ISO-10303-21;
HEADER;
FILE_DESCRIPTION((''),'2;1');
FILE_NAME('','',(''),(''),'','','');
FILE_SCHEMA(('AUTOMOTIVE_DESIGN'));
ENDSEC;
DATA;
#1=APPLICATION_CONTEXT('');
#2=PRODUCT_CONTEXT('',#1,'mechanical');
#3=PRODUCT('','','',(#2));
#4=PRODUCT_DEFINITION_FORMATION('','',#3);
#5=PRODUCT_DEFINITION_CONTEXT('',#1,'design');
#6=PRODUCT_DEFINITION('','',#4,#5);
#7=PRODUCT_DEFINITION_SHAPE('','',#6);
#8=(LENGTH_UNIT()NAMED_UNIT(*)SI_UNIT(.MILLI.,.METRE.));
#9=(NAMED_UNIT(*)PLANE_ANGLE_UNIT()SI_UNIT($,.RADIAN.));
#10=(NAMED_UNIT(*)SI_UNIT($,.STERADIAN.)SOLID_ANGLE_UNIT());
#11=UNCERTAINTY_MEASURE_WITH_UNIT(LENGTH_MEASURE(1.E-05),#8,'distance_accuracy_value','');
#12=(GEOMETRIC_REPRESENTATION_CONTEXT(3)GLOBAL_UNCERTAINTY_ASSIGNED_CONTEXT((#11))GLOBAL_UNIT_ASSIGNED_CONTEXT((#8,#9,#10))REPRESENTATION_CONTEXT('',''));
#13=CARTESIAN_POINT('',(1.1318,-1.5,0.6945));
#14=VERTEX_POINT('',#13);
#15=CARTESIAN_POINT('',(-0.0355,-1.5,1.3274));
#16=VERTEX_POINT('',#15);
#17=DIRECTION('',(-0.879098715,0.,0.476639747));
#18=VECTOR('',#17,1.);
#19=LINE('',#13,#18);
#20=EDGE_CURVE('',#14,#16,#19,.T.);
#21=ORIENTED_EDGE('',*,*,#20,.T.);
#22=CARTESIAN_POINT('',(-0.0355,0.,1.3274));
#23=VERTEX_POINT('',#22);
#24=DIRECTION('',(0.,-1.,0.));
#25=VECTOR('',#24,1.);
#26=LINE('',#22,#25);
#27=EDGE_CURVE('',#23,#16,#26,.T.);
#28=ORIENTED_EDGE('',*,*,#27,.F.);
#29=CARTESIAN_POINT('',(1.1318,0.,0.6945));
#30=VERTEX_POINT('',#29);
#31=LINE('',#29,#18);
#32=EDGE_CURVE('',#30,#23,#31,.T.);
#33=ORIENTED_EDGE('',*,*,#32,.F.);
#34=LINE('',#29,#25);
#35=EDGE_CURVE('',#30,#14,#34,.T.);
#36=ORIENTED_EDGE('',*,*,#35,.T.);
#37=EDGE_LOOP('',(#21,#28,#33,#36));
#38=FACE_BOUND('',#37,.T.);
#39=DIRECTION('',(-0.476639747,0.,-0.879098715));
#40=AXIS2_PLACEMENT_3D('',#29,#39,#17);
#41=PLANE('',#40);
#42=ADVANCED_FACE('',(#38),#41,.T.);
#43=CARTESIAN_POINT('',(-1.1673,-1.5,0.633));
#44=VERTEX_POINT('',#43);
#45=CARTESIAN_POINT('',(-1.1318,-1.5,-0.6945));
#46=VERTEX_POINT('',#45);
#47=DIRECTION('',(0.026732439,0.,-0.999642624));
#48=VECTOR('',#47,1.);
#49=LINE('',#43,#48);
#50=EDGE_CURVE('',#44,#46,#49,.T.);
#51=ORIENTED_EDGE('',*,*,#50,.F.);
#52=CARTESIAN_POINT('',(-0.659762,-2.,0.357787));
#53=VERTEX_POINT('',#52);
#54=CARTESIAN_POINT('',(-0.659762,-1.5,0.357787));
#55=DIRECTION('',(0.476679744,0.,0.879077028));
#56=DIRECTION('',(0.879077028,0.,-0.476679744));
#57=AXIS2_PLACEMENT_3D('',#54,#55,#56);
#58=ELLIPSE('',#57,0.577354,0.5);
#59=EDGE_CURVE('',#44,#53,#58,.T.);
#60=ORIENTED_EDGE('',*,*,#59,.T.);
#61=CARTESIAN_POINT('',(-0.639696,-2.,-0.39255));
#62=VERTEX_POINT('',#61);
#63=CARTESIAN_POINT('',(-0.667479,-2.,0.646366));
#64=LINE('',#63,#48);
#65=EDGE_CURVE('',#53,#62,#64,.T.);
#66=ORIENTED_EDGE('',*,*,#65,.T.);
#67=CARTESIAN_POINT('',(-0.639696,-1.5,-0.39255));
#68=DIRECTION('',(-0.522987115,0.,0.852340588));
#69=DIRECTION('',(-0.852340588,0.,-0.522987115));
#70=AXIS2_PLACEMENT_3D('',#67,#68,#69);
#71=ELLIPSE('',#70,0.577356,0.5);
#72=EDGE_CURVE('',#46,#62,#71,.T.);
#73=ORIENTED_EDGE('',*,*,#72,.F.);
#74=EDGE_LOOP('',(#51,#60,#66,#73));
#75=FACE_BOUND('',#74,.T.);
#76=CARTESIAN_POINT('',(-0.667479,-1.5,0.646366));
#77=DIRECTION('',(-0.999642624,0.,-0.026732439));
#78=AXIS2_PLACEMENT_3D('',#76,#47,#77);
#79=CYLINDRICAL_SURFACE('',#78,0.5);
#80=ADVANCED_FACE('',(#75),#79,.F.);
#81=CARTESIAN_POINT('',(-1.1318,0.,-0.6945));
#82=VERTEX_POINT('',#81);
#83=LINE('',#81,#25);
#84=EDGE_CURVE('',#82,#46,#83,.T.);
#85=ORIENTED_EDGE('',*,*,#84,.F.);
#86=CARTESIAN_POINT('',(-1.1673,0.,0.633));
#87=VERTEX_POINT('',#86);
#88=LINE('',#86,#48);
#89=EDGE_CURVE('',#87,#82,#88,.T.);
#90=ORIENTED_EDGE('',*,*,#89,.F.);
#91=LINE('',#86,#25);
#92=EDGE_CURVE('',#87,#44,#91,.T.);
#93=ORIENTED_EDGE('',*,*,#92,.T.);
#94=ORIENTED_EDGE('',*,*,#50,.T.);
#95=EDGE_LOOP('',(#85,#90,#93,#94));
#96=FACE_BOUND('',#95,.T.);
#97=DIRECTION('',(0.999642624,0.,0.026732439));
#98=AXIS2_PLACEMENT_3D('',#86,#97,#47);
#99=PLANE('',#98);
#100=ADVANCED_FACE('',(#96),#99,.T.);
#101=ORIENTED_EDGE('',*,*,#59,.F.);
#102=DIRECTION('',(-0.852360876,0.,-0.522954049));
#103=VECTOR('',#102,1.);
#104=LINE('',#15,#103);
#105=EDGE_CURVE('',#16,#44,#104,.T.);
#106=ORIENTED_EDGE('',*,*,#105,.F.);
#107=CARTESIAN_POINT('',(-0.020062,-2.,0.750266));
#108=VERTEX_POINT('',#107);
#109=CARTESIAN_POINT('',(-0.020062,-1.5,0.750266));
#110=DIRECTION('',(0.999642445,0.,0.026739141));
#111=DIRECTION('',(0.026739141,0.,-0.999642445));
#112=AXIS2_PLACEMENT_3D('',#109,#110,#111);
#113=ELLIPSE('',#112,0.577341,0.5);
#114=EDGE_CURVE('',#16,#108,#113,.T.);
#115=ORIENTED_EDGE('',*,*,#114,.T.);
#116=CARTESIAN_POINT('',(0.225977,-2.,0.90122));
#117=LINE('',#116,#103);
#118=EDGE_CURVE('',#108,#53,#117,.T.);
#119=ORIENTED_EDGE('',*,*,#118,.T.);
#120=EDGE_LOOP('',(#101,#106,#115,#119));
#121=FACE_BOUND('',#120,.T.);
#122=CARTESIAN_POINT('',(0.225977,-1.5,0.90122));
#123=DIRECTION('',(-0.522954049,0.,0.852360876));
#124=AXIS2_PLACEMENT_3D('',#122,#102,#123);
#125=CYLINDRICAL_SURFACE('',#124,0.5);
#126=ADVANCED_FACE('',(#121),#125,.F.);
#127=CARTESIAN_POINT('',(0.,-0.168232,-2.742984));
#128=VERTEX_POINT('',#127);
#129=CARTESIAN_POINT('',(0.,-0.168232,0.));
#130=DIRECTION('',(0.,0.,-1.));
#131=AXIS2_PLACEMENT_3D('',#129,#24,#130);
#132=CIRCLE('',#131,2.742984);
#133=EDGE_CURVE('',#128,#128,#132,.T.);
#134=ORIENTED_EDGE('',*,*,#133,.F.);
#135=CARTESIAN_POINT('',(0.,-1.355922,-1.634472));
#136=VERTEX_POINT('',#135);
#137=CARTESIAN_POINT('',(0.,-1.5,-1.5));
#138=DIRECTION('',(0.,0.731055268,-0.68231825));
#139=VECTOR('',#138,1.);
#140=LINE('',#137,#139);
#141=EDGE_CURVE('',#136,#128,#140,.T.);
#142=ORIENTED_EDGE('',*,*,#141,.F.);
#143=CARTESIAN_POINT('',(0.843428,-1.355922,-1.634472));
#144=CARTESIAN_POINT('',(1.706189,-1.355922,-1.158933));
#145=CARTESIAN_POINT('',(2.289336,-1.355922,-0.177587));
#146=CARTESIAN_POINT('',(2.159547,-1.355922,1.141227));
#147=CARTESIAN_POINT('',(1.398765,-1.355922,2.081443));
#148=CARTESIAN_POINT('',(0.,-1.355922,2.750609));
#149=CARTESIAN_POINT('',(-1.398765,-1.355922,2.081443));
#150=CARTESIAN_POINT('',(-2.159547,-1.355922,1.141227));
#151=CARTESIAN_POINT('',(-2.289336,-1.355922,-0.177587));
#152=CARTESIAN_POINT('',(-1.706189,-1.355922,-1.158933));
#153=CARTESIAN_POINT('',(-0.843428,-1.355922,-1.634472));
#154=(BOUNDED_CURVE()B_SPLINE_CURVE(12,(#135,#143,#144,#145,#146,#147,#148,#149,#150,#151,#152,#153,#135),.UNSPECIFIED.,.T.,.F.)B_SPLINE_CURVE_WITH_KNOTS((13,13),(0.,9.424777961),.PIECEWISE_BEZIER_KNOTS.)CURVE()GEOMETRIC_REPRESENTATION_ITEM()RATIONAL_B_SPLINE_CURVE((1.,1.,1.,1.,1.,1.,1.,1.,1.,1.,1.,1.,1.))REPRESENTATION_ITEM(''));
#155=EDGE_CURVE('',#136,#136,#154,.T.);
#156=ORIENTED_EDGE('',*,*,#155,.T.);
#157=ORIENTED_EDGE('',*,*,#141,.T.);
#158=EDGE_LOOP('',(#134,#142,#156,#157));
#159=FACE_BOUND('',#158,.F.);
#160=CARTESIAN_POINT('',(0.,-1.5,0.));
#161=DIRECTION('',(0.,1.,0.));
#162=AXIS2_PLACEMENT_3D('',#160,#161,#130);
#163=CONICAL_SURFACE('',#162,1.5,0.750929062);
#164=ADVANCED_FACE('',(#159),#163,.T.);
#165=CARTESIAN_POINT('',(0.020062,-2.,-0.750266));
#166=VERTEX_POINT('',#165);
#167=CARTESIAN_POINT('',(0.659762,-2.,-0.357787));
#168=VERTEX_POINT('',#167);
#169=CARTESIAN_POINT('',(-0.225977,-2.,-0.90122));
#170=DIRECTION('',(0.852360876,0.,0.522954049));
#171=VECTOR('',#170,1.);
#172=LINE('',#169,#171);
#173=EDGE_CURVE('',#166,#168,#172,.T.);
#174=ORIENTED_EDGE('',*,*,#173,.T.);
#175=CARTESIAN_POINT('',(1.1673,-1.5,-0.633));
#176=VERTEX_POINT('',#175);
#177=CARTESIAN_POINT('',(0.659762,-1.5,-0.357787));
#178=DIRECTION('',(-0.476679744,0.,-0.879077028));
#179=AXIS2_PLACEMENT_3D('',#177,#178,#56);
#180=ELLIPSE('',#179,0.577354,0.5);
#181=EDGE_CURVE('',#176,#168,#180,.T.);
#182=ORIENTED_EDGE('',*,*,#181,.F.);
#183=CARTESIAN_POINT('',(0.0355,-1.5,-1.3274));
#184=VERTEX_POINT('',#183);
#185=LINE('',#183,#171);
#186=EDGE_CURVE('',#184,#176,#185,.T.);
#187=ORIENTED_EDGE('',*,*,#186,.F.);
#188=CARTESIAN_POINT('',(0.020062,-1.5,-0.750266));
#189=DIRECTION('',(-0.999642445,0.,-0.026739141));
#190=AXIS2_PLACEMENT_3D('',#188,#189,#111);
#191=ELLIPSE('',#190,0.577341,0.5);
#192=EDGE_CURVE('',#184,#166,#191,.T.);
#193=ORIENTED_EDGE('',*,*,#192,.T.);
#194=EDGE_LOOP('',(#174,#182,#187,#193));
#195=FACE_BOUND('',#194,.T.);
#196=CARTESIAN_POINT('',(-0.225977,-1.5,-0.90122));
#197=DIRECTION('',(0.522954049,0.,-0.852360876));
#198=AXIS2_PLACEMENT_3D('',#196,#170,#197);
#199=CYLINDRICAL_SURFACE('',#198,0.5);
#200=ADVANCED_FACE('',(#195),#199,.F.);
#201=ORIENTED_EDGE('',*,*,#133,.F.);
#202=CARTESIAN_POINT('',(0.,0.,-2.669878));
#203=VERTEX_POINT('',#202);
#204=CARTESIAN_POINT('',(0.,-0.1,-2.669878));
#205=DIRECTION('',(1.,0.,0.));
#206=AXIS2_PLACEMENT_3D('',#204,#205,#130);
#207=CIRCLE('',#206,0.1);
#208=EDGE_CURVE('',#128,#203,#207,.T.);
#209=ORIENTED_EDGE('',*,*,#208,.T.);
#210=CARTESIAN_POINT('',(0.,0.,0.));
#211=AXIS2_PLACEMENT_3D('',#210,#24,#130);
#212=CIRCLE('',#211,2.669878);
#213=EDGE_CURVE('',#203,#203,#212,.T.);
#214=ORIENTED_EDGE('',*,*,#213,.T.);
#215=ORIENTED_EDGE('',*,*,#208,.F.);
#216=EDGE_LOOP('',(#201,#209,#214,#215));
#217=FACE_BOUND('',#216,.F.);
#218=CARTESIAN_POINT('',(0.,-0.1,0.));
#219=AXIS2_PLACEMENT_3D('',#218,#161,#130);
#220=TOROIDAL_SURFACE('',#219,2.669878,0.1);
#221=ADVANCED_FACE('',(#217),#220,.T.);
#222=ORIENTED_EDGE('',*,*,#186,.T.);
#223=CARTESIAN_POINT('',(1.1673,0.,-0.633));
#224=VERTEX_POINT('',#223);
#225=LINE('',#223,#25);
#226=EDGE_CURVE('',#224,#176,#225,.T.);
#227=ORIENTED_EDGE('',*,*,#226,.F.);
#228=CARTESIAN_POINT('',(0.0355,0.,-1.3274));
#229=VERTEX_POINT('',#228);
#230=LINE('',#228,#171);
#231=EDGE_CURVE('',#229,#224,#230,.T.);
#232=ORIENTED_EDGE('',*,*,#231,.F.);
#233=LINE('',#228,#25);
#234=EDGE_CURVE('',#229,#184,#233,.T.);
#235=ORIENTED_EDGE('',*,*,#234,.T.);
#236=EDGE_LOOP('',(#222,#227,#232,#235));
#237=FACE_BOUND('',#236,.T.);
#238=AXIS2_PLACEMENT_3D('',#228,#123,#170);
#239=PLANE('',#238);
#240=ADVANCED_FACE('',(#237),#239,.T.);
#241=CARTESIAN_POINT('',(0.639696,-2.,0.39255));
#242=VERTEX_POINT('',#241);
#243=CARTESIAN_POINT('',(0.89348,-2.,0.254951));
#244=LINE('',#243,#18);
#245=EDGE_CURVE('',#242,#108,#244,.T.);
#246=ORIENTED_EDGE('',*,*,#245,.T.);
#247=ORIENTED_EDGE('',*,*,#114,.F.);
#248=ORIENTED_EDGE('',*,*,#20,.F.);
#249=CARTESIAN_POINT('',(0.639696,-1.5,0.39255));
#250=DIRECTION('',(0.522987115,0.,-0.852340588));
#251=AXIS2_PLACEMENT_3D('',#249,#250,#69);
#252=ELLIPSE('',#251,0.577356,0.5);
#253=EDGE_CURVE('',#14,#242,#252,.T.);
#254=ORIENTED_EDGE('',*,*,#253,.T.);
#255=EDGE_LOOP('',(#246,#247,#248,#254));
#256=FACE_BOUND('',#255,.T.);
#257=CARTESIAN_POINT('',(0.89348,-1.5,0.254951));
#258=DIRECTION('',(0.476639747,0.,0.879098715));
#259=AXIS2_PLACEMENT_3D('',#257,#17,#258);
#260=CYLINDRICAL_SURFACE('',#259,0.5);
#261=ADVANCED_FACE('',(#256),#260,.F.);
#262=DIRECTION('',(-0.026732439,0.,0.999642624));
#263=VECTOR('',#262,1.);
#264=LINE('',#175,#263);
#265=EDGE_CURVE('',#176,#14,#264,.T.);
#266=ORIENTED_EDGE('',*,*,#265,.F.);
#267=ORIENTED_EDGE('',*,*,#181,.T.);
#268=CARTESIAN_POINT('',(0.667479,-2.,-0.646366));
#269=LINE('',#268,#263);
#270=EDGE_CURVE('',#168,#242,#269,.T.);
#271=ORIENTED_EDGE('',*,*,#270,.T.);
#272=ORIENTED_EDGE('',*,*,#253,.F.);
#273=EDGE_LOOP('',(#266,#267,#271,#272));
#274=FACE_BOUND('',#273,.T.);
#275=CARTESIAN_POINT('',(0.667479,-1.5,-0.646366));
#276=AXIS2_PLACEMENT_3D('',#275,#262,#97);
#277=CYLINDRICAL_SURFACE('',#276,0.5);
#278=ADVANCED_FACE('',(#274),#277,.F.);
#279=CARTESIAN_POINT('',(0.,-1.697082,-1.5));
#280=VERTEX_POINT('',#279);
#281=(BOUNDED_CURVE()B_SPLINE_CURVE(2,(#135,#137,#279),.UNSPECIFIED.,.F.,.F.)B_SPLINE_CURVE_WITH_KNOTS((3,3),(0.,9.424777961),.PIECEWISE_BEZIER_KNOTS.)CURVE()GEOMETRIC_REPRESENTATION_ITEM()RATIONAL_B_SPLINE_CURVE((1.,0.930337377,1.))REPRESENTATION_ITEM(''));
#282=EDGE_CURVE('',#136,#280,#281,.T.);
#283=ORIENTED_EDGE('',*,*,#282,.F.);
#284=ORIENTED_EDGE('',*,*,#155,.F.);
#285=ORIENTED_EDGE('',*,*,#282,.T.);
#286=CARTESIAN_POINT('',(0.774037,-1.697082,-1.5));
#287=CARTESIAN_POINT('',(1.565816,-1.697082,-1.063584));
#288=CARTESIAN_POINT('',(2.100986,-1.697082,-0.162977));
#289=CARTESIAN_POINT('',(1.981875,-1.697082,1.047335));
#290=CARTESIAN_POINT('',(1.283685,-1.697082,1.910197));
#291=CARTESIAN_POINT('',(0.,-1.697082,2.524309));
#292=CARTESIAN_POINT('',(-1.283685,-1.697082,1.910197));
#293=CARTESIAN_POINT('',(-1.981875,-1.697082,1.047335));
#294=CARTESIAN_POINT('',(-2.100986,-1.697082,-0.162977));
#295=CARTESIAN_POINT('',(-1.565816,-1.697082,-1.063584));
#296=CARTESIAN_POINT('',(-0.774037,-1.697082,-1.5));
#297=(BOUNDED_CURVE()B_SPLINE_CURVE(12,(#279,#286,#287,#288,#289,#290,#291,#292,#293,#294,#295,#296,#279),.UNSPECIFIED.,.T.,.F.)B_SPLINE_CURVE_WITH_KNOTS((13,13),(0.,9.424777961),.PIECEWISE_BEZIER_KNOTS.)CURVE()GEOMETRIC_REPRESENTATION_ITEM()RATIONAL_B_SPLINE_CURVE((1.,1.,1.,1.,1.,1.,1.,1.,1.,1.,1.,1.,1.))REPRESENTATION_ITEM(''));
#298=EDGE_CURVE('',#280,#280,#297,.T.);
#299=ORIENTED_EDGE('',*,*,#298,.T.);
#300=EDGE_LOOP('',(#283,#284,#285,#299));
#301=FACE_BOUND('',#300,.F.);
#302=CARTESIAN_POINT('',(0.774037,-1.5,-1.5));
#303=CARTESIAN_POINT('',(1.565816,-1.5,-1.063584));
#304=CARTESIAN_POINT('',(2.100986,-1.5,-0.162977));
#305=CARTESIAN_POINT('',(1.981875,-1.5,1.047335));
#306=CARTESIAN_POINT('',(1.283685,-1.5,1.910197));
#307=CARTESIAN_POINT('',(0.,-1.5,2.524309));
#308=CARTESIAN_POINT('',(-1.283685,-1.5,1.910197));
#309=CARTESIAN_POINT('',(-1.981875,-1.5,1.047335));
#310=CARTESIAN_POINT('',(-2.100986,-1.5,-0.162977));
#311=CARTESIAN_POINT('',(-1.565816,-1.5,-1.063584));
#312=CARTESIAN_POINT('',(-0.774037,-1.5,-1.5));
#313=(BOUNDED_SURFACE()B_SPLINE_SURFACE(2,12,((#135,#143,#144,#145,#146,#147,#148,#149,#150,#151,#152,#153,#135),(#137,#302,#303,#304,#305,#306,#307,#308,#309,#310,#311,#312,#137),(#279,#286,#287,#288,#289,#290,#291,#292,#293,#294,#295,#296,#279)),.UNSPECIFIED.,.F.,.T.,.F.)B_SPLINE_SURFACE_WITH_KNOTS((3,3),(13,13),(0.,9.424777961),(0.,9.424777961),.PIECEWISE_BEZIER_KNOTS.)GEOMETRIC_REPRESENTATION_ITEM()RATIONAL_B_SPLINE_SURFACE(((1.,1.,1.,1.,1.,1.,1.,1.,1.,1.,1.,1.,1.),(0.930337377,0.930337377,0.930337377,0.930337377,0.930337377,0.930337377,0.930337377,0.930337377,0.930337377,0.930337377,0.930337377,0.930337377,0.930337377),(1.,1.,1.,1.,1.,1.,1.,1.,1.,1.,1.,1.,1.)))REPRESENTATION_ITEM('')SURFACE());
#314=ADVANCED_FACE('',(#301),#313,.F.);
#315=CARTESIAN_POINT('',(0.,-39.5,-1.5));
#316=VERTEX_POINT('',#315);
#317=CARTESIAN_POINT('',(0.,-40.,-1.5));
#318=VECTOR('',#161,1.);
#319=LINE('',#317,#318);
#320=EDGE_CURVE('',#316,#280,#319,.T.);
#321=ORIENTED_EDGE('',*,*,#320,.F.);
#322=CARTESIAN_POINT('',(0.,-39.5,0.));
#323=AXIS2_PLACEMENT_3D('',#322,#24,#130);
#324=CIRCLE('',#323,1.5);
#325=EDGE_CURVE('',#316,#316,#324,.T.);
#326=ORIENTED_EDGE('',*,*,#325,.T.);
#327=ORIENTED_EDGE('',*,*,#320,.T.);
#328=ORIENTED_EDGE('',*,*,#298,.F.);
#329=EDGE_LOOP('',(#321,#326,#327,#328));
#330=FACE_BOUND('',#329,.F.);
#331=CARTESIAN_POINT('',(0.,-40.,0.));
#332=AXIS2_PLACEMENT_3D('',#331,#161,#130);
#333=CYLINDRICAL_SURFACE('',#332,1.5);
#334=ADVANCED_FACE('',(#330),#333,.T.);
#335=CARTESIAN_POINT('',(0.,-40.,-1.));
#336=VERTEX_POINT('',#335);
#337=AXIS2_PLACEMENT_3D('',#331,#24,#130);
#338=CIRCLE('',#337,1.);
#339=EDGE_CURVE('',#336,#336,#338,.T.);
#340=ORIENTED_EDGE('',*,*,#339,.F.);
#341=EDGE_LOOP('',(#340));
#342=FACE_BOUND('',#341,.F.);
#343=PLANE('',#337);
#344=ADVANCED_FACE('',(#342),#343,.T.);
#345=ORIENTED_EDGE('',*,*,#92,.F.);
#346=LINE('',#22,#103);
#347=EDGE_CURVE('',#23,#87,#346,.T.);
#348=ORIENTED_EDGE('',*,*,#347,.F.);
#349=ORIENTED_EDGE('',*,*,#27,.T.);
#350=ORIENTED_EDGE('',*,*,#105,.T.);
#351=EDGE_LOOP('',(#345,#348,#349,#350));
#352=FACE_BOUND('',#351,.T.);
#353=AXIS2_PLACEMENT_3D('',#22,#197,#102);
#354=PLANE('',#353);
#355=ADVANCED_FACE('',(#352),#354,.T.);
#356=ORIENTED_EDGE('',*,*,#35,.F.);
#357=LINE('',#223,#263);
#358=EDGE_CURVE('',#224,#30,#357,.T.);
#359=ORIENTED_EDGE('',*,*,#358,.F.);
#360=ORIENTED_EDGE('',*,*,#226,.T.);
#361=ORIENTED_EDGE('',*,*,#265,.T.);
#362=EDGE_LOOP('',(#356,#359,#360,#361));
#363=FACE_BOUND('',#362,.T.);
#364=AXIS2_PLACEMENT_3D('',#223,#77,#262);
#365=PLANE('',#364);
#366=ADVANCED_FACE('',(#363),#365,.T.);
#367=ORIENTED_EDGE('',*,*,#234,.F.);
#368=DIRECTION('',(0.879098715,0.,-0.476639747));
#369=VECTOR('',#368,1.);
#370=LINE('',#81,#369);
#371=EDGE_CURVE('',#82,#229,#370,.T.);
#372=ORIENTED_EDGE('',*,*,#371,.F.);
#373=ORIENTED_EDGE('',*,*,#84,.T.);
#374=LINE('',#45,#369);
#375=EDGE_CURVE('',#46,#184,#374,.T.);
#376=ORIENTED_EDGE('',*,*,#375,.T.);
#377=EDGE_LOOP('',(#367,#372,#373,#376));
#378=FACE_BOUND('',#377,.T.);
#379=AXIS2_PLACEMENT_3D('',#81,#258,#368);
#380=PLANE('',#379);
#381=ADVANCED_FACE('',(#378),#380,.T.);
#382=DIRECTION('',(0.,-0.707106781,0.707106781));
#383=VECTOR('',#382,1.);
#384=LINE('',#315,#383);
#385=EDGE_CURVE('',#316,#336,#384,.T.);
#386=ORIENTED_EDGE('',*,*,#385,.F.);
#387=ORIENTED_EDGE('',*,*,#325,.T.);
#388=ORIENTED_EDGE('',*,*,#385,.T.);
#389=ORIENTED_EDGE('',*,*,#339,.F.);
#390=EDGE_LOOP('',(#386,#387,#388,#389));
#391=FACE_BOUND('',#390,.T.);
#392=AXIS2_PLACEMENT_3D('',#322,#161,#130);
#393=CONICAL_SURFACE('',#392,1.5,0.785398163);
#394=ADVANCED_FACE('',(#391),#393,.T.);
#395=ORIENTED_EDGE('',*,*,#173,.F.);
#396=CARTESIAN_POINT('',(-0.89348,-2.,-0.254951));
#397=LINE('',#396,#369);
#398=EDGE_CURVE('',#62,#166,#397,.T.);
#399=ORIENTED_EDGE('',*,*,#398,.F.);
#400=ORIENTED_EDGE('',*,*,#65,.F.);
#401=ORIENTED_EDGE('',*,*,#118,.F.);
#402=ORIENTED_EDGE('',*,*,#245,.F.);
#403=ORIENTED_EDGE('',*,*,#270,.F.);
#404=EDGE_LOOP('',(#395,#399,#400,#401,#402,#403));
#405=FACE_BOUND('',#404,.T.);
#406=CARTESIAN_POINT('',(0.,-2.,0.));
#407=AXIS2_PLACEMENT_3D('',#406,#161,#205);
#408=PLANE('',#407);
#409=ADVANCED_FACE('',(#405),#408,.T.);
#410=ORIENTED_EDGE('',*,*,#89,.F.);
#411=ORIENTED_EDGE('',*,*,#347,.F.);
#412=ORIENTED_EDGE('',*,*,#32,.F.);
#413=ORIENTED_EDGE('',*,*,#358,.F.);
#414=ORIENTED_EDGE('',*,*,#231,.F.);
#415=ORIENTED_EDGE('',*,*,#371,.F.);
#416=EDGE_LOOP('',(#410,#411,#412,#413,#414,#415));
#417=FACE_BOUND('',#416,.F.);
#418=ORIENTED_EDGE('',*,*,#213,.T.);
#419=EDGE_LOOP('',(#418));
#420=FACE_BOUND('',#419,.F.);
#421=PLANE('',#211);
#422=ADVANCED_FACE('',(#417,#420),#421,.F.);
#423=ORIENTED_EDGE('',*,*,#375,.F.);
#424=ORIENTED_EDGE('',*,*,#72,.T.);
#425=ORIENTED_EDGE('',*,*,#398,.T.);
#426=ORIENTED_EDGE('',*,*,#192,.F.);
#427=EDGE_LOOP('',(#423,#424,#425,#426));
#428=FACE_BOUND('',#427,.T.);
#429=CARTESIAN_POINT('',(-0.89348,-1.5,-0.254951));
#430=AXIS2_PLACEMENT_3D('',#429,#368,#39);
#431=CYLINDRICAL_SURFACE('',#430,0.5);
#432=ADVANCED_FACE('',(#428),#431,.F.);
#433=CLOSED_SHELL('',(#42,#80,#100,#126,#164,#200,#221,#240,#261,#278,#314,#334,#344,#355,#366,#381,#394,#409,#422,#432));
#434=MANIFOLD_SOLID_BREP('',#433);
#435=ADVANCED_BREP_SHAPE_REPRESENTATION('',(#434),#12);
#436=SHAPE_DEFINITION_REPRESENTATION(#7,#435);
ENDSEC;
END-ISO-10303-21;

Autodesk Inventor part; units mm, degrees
ref_plane "YZ Plane" through (0, 0, 0) normal (1, 0, 0) x (0, 1, 0)
ref_plane "XZ Plane" through (0, 0, 0) normal (0, 1, 0) x (-1, 0, 0)
ref_plane "XY Plane" through (0, 0, 0) normal (0, 0, 1) x (1, 0, 0)
sketch "Szkic2" plane through (0, 0, 0) normal (1, 0, 0) x (0, 1, 0)
  line L0 (0, -2.9) -> (0, 2.9)
  line L1 (-1.5, -1.5) -> (-1.5, 1.5)
  line L2 (-1.5, -1.5) -> (0, -2.9)
  line L3 (-1.5, 1.5) -> (0, 2.9)
  line L4 (0, 0) -> (-40, 0)
  line L5 (-40, 0) -> (-40, -1.5)
  line L6 (-40, -1.5) -> (-1.5, -1.5)
  dimension "d0" = 5.8
  dimension "d2" = 3
  dimension "d3" = 1.5
  dimension "d4" = 40
  dimension "d5" = 1.5
revolve "Obrót1" add sketch "Szkic2" angle 360 about axis through (0, 0, 0) along (0, -1, 0) contours L2 L1 L4 L0 | L6 L5 L4 L1
sketch "Szkic3" plane through (0, 0, 0) normal (0, 1, 0) x (1, 0, 0)
  line L0 (-1.1673, -0.633) -> (-1.1318, 0.6945)
  line L1 (-1.1318, 0.6945) -> (0.0355, 1.3274)
  line L2 (0.0355, 1.3274) -> (1.1673, 0.633)
  line L3 (1.1673, 0.633) -> (1.1318, -0.6945)
  line L4 (1.1318, -0.6945) -> (-0.0355, -1.3274)
  line L5 (-0.0355, -1.3274) -> (-1.1673, -0.633)
  point P0 (0, 0)
  point P1 (0, 0)
  dimension "d7" = 2.3
extrude "Wyciągnięcie proste1" cut sketch "Szkic3" against normal blind 2
fillet "Zaokrąglenie1" radius 0.5 6 edges at (-1.1496, -2, -0.0308) (-0.6014, -2, 0.9802) (-0.5482, -2, -1.011) (0.6014, -2, -0.9802) (0.5482, -2, 1.011) (1.1496, -2, 0.0308)
fillet "Zaokrąglenie2" radius 0.5 1 edges at (0, -1.5, 1.5)
fillet "Zaokrąglenie3" radius 0.1 1 edges at (0, 0, 2.9)
thread "Gwint1" size "M3x0.5" class "6g" standard "ANSI Metric M Profile" full length
chamfer "Faza1" distance 0.5 angle 45 1 edges at (0, -40, 1.5)
properties part number "Screw M3 40mm flat head"
